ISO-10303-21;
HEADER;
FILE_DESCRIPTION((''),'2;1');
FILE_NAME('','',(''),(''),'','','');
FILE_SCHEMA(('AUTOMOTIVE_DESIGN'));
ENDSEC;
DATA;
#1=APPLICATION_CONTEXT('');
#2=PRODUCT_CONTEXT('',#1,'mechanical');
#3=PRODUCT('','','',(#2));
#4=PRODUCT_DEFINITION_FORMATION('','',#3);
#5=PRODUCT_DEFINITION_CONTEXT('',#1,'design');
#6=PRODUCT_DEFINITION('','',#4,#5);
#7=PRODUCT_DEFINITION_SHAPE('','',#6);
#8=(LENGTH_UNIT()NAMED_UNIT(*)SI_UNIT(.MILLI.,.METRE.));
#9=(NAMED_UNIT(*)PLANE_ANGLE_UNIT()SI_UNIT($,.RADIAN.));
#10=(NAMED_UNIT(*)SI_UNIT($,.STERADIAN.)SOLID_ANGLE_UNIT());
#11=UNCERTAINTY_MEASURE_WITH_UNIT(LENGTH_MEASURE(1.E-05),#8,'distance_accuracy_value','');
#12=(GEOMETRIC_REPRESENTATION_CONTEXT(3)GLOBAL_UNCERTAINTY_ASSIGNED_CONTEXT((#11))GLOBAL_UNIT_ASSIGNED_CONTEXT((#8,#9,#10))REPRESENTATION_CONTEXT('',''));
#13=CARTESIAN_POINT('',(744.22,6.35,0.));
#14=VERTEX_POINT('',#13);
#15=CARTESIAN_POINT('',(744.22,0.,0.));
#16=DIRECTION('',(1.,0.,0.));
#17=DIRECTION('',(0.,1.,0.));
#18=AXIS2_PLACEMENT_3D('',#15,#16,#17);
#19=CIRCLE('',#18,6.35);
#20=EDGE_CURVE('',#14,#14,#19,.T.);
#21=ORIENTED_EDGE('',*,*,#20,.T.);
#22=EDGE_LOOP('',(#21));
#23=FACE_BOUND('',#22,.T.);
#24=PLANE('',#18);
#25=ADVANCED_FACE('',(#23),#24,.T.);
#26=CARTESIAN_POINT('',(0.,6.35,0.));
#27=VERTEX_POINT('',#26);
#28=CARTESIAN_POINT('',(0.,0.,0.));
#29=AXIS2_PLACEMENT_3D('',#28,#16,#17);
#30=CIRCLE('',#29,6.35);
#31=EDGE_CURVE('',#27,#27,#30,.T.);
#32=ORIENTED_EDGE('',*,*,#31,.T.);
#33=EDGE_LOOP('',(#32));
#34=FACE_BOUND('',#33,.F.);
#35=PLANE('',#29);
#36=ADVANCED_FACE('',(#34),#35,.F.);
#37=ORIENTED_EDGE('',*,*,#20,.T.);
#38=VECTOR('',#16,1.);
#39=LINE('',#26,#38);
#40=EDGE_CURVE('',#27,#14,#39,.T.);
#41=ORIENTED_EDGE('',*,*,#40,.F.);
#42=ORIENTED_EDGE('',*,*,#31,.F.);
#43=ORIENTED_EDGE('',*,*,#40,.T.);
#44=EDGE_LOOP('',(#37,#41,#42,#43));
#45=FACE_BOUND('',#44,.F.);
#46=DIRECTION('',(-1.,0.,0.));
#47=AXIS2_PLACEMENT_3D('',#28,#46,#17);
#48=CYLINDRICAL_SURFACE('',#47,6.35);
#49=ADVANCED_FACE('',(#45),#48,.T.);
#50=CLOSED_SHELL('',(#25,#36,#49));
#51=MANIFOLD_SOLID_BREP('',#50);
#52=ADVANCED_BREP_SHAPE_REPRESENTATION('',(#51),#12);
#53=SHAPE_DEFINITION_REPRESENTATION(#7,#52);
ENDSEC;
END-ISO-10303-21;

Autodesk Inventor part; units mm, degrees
ref_plane "YZ Plane" through (0, 0, 0) normal (1, 0, 0) x (0, 1, 0)
ref_plane "XZ Plane" through (0, 0, 0) normal (0, 1, 0) x (-1, 0, 0)
ref_plane "XY Plane" through (0, 0, 0) normal (0, 0, 1) x (1, 0, 0)
sketch "Sketch1" plane through (0, 0, 0) normal (1, 0, 0) x (0, 1, 0)
  circle A0 centre (0, 0) radius 6.35
  dimension "d0" = 12.7
extrude "Extrusion1" add sketch "Sketch1" along normal blind 744.22
properties part number "rod1" material "Steel, Cast"
